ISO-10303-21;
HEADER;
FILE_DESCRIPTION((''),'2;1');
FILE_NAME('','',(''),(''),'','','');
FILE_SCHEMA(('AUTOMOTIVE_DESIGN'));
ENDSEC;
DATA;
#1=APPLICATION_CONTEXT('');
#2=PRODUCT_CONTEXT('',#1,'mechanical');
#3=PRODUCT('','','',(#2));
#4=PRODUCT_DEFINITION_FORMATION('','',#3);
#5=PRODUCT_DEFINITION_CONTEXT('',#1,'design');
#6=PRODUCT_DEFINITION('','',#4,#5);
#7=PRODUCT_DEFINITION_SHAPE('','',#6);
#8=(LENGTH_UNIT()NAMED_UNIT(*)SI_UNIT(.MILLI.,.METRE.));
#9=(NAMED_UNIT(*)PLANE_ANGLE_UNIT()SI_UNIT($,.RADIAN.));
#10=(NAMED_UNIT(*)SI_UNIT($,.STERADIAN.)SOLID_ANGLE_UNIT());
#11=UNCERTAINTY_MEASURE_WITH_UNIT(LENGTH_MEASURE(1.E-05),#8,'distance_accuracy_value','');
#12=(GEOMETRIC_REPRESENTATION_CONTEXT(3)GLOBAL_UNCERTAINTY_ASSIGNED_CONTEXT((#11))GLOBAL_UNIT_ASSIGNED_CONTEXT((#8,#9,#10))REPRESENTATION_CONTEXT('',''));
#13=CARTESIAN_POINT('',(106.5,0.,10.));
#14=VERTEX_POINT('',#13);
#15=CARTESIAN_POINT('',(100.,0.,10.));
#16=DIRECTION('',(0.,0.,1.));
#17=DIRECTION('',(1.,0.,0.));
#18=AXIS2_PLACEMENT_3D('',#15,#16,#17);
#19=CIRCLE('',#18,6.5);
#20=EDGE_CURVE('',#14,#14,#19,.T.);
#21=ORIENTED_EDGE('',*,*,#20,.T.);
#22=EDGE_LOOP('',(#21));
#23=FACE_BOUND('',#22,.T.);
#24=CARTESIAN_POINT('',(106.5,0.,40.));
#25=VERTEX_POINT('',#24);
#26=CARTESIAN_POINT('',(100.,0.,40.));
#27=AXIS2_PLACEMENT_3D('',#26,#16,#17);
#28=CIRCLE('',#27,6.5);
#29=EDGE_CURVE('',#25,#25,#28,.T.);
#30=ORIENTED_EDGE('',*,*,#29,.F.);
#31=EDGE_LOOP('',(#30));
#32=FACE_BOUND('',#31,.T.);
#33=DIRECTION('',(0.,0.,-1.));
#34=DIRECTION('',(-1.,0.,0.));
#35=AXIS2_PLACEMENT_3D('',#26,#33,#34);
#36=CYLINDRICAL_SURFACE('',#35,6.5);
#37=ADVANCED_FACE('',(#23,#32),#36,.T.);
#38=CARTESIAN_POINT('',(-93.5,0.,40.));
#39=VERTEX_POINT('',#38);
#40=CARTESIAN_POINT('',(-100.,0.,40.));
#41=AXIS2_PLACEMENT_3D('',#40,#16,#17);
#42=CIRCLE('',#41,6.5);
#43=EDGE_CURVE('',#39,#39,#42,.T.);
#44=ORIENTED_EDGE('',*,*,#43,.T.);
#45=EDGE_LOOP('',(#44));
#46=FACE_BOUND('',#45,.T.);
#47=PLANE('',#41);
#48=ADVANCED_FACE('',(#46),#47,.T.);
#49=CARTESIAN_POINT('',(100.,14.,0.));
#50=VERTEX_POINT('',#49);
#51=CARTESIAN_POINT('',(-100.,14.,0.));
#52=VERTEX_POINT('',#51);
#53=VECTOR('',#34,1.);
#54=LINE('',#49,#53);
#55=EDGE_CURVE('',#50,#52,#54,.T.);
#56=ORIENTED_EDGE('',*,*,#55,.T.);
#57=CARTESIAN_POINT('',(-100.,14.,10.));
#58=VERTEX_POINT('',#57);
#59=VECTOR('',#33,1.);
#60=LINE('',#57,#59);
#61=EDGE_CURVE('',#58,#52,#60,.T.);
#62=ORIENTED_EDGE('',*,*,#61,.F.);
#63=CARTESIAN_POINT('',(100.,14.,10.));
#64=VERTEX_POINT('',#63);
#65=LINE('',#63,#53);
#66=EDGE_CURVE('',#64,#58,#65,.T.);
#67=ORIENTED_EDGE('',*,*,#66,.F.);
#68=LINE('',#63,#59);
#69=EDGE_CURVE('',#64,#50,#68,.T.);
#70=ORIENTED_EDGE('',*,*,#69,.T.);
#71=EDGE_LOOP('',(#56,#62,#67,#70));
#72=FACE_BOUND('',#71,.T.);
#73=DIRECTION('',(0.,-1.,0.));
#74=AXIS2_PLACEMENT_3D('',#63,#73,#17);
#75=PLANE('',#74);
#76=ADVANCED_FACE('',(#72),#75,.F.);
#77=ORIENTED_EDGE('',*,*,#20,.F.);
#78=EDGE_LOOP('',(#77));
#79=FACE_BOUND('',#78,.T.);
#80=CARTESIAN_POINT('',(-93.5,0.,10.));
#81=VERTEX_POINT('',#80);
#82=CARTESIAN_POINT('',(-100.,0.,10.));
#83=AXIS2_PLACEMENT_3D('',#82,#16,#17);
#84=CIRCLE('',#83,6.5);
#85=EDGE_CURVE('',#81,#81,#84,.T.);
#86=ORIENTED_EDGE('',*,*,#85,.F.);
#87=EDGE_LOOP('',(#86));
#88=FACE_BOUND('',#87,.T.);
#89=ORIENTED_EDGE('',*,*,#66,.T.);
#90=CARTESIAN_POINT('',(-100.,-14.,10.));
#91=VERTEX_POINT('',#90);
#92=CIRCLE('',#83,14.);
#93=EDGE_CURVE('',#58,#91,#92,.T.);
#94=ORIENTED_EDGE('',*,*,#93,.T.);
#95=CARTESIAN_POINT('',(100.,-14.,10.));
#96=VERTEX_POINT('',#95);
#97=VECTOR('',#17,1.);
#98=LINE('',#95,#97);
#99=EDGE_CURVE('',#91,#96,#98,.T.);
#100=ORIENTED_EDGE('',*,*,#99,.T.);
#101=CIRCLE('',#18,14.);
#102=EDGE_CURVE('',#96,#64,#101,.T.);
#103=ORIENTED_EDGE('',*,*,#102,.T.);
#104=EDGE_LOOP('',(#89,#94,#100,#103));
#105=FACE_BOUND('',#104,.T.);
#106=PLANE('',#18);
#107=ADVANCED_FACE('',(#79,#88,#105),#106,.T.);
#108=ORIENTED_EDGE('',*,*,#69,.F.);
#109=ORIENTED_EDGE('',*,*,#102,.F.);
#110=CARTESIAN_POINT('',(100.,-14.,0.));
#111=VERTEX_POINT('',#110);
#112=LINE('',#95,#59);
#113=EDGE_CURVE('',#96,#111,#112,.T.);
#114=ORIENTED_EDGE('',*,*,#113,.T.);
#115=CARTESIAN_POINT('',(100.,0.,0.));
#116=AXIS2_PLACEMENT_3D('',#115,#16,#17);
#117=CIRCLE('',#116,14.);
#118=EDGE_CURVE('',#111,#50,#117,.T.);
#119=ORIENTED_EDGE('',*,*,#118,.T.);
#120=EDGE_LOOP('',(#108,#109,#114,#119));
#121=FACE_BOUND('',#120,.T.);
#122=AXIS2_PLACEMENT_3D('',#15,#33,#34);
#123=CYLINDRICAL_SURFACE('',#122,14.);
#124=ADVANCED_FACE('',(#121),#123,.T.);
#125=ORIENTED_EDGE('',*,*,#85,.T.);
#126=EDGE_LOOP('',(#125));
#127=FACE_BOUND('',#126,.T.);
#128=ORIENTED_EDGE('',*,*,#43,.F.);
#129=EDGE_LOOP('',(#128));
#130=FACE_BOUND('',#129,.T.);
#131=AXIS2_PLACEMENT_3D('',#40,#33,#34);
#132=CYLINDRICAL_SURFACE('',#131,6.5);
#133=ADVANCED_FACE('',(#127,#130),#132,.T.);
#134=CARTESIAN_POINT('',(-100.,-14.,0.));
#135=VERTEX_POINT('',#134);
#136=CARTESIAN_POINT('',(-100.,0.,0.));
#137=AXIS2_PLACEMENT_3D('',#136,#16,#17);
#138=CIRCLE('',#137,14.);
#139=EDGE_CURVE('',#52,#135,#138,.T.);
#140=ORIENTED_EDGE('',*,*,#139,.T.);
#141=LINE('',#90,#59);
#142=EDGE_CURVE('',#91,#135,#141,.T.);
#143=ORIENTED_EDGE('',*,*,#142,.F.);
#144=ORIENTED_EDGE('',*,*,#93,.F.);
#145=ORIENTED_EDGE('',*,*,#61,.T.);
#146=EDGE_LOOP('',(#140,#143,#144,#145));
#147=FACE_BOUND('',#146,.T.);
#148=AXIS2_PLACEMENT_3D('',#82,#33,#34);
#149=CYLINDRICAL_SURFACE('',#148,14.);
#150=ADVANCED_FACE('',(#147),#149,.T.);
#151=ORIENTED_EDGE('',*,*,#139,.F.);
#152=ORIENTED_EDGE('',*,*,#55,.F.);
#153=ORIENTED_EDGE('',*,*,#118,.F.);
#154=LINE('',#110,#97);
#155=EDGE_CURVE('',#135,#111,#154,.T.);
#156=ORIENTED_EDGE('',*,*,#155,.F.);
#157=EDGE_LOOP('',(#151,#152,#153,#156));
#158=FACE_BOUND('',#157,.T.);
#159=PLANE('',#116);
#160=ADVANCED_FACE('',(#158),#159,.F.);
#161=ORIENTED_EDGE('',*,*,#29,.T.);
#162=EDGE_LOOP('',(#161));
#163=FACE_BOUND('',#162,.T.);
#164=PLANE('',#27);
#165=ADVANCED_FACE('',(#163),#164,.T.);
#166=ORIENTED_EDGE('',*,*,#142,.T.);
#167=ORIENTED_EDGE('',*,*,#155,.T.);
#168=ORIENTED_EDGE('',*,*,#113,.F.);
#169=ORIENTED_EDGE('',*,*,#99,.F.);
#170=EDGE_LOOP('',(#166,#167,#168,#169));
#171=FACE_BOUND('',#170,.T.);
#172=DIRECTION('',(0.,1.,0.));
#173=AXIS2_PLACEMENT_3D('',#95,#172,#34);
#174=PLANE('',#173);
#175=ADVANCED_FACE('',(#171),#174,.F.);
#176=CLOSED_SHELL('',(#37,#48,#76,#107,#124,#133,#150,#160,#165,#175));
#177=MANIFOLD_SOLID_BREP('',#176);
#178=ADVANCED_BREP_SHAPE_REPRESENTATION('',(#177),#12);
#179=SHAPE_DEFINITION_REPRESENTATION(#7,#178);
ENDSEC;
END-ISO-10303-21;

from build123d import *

# Parameters (mm, degrees)
BOSS_EXTRUDE1_DEPTH = 10
SKETCH2_R           = 6.5
BOSS_EXTRUDE2_DEPTH = 30


with BuildPart() as part:
    # Sketch1 → Boss-Extrude1 (new body)
    with BuildSketch(Plane.XY):
        with BuildLine():
            Line((100, -14), (-100, -14))
            ThreePointArc((-100, -14), (-114, 0), (-100, 14))
            Line((-100, 14), (100, 14))
            ThreePointArc((100, 14), (114, 0), (100, -14))
        make_face()
    extrude(amount=BOSS_EXTRUDE1_DEPTH)

    # Sketch2 → Boss-Extrude2 (add)
    with BuildSketch(Plane.XY.offset(10)):
        with Locations((100, 0)):
            Circle(SKETCH2_R)
        with Locations((-100, 0)):
            Circle(SKETCH2_R)
    extrude(amount=BOSS_EXTRUDE2_DEPTH)


solid = part.part
